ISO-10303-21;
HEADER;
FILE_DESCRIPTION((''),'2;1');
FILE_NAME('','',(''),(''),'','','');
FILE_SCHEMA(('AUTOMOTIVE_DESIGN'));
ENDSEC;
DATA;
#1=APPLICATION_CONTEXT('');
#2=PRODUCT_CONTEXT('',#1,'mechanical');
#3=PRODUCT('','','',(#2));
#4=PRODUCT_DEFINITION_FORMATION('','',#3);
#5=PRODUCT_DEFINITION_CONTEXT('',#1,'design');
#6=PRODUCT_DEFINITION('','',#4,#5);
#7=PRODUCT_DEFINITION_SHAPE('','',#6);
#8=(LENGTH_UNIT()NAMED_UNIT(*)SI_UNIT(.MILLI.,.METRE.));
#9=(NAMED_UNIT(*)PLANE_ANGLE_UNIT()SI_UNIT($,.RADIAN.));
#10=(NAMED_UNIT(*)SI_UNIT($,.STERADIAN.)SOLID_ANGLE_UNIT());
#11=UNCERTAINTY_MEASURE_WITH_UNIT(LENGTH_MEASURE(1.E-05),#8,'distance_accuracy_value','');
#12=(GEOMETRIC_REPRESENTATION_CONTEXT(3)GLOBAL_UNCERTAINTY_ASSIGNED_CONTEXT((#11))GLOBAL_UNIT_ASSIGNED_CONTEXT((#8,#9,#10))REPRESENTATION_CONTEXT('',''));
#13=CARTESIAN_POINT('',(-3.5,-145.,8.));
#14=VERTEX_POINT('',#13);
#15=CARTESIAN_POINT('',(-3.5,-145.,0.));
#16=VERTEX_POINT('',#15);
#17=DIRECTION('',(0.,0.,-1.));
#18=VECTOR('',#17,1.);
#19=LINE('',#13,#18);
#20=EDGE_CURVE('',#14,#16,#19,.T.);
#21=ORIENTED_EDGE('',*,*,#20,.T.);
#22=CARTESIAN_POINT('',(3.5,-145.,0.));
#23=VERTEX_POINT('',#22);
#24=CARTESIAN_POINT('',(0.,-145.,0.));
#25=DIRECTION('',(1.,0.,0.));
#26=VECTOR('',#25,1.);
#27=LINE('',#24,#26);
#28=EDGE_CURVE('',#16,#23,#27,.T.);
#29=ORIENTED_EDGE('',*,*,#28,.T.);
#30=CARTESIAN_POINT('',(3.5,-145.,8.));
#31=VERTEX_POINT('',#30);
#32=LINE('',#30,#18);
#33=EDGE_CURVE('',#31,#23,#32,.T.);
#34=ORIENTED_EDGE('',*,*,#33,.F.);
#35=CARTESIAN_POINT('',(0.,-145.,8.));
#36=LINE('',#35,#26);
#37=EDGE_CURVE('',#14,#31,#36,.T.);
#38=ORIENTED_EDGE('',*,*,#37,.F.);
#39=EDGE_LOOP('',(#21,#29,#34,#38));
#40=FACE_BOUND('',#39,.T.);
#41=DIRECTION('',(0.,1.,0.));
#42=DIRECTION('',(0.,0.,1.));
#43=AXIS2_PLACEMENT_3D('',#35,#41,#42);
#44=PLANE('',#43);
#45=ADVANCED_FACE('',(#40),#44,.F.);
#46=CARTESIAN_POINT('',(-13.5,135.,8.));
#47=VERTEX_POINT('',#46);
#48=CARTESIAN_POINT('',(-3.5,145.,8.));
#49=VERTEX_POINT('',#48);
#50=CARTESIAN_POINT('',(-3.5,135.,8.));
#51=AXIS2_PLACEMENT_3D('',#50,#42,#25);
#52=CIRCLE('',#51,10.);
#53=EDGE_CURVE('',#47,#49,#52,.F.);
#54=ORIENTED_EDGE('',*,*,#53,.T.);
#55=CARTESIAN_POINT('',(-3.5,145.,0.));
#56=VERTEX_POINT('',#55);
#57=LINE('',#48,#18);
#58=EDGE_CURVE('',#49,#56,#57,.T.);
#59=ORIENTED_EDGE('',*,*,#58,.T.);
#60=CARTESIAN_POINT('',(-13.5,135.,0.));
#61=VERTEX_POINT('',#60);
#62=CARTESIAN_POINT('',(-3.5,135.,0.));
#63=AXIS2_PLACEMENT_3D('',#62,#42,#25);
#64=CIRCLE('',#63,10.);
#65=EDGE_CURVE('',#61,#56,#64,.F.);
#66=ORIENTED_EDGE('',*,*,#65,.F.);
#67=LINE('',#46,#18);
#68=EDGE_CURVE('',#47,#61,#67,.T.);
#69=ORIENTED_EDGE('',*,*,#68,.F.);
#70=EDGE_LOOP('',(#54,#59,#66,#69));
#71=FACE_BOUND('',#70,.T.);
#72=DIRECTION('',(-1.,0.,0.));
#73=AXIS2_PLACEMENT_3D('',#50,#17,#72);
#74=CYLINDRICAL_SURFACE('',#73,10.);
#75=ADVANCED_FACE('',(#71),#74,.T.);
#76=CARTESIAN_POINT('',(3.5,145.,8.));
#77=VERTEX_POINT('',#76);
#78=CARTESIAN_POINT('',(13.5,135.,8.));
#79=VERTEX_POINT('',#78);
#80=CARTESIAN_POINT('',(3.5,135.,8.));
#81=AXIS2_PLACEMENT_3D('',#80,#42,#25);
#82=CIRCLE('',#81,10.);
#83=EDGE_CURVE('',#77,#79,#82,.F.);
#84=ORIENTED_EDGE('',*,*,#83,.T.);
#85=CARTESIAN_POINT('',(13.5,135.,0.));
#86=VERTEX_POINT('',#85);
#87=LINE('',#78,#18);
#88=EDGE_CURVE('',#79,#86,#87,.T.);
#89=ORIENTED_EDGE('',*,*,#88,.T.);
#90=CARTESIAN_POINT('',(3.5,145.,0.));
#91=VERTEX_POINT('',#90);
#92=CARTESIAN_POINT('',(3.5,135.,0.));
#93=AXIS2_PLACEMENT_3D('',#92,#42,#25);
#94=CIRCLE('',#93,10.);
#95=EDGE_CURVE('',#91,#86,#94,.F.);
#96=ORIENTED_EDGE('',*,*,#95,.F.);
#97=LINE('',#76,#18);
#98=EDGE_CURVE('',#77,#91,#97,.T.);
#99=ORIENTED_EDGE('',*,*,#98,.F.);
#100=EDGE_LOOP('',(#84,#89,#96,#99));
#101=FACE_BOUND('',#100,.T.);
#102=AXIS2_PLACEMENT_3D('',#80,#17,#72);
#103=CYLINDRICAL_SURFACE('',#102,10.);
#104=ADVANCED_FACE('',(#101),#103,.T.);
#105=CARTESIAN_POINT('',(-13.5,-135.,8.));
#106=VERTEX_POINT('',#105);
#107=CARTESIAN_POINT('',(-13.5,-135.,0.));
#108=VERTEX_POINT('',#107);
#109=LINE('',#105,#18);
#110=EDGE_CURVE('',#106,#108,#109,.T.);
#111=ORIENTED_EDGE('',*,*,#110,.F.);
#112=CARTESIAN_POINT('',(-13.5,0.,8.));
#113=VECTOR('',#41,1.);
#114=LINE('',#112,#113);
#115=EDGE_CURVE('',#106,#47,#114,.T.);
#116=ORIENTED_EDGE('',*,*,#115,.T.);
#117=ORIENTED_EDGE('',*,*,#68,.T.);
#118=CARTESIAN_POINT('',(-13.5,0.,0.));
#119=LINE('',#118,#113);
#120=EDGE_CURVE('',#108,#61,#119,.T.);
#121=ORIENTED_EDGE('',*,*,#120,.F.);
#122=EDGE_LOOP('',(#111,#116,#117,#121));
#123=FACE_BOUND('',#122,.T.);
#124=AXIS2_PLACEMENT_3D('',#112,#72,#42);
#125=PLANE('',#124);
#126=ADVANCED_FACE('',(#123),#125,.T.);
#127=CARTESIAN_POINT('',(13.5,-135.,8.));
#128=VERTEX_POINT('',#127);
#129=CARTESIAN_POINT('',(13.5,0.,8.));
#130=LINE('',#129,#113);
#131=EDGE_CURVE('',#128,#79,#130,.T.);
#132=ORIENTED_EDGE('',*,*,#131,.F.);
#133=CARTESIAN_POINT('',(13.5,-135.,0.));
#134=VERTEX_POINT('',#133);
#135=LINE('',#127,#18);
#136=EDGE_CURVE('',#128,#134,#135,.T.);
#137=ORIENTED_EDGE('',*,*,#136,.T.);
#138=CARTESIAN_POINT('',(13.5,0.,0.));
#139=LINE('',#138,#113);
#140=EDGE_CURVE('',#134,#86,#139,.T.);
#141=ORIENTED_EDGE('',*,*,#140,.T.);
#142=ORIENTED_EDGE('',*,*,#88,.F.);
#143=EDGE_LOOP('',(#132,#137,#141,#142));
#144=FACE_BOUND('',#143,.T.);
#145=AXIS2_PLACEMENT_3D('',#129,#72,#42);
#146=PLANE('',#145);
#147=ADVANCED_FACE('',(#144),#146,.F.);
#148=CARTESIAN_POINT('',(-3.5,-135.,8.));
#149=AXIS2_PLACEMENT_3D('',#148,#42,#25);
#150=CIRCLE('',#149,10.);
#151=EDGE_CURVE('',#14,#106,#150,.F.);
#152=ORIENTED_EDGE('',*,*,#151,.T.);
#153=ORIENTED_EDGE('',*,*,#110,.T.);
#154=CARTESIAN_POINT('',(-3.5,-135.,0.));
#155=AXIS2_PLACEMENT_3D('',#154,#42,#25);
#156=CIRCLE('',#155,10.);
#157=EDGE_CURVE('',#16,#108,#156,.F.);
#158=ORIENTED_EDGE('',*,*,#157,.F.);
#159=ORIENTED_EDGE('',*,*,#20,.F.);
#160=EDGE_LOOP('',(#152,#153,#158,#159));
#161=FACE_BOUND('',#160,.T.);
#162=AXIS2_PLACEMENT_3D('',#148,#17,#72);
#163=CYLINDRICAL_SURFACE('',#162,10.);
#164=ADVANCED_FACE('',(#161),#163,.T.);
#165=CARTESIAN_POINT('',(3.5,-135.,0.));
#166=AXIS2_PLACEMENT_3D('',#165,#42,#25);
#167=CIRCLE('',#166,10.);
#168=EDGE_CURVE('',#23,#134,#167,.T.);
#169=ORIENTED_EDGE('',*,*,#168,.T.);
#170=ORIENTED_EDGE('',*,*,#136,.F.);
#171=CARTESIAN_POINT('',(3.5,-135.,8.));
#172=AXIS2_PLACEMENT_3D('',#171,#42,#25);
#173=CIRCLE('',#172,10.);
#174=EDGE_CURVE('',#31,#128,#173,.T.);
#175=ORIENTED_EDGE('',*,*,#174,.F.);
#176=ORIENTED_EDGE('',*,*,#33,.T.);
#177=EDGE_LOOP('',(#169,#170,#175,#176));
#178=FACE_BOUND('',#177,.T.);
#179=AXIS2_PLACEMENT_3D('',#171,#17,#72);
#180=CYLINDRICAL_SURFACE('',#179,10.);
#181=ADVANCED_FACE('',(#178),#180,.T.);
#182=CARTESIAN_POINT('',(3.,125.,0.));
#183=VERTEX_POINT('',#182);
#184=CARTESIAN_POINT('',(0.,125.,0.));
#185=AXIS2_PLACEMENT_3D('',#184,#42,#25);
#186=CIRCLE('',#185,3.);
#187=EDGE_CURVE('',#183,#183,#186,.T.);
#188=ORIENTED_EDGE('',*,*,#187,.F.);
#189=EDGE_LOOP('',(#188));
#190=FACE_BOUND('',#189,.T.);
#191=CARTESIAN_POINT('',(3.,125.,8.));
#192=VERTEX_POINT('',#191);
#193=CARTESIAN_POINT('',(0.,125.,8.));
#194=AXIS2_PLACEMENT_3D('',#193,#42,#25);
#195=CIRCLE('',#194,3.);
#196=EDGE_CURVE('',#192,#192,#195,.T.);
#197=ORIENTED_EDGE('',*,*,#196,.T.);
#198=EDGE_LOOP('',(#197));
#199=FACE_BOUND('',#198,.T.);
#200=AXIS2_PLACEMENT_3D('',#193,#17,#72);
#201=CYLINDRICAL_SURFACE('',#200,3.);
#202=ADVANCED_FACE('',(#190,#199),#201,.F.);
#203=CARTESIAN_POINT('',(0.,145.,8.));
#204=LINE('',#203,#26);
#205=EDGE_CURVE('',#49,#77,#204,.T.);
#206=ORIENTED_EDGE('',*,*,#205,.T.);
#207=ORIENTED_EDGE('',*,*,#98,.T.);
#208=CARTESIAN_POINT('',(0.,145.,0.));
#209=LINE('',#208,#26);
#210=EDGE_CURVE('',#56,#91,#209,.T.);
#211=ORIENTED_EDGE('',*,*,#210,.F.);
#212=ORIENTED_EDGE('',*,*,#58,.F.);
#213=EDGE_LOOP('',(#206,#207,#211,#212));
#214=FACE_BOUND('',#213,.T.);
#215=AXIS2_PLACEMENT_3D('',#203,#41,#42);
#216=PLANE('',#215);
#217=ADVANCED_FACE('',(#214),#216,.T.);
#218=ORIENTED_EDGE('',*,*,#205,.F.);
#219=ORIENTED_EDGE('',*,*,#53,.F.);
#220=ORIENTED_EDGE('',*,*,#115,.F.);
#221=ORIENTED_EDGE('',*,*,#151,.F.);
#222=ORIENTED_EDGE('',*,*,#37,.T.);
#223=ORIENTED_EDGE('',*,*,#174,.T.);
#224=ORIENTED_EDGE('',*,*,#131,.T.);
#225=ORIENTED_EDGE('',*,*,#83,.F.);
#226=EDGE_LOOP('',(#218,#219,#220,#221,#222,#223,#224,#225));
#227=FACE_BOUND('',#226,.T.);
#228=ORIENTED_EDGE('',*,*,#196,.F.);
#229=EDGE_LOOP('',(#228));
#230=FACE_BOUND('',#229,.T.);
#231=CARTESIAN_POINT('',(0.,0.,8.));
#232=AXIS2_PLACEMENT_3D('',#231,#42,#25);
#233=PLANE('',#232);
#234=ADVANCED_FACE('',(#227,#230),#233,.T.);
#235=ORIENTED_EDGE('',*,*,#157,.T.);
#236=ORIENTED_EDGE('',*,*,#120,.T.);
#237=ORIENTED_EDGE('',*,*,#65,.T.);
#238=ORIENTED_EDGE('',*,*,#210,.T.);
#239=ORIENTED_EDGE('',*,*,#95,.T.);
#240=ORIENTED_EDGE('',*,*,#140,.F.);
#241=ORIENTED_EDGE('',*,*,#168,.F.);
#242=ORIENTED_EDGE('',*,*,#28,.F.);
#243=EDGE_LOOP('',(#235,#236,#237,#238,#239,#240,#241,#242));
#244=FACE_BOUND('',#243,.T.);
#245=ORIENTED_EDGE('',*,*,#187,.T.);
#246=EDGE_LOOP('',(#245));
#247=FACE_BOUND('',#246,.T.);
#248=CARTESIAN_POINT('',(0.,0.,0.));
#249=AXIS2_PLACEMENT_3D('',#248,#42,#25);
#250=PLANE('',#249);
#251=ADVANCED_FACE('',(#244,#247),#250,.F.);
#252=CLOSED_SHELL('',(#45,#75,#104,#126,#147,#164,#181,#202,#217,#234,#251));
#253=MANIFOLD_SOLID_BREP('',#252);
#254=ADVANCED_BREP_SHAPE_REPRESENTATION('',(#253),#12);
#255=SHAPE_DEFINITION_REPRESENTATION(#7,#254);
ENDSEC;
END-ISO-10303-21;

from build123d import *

# Parameters (mm, degrees)
SKETCH1_R           = 3
BOSS_EXTRUDE1_DEPTH = 8


with BuildPart() as part:
    # Sketch1 → Boss-Extrude1 (new body)
    with BuildSketch(Plane.XY):
        with BuildLine():
            ThreePointArc((3.5, 145), (10.571067812, 142.071067812), (13.5, 135))
            Line((13.5, 135), (13.5, -135))
            ThreePointArc((13.5, -135), (10.571067812, -142.071067812), (3.5, -145))
            Line((3.5, -145), (-3.5, -145))
            ThreePointArc((-3.5, -145), (-10.571067812, -142.071067812), (-13.5, -135))
            Line((-13.5, -135), (-13.5, 135))
            ThreePointArc((-13.5, 135), (-10.571067812, 142.071067812), (-3.5, 145))
            Line((-3.5, 145), (3.5, 145))
        make_face()
        with Locations((0, 125)):
            Circle(SKETCH1_R, mode=Mode.SUBTRACT)
    extrude(amount=BOSS_EXTRUDE1_DEPTH)


solid = part.part
